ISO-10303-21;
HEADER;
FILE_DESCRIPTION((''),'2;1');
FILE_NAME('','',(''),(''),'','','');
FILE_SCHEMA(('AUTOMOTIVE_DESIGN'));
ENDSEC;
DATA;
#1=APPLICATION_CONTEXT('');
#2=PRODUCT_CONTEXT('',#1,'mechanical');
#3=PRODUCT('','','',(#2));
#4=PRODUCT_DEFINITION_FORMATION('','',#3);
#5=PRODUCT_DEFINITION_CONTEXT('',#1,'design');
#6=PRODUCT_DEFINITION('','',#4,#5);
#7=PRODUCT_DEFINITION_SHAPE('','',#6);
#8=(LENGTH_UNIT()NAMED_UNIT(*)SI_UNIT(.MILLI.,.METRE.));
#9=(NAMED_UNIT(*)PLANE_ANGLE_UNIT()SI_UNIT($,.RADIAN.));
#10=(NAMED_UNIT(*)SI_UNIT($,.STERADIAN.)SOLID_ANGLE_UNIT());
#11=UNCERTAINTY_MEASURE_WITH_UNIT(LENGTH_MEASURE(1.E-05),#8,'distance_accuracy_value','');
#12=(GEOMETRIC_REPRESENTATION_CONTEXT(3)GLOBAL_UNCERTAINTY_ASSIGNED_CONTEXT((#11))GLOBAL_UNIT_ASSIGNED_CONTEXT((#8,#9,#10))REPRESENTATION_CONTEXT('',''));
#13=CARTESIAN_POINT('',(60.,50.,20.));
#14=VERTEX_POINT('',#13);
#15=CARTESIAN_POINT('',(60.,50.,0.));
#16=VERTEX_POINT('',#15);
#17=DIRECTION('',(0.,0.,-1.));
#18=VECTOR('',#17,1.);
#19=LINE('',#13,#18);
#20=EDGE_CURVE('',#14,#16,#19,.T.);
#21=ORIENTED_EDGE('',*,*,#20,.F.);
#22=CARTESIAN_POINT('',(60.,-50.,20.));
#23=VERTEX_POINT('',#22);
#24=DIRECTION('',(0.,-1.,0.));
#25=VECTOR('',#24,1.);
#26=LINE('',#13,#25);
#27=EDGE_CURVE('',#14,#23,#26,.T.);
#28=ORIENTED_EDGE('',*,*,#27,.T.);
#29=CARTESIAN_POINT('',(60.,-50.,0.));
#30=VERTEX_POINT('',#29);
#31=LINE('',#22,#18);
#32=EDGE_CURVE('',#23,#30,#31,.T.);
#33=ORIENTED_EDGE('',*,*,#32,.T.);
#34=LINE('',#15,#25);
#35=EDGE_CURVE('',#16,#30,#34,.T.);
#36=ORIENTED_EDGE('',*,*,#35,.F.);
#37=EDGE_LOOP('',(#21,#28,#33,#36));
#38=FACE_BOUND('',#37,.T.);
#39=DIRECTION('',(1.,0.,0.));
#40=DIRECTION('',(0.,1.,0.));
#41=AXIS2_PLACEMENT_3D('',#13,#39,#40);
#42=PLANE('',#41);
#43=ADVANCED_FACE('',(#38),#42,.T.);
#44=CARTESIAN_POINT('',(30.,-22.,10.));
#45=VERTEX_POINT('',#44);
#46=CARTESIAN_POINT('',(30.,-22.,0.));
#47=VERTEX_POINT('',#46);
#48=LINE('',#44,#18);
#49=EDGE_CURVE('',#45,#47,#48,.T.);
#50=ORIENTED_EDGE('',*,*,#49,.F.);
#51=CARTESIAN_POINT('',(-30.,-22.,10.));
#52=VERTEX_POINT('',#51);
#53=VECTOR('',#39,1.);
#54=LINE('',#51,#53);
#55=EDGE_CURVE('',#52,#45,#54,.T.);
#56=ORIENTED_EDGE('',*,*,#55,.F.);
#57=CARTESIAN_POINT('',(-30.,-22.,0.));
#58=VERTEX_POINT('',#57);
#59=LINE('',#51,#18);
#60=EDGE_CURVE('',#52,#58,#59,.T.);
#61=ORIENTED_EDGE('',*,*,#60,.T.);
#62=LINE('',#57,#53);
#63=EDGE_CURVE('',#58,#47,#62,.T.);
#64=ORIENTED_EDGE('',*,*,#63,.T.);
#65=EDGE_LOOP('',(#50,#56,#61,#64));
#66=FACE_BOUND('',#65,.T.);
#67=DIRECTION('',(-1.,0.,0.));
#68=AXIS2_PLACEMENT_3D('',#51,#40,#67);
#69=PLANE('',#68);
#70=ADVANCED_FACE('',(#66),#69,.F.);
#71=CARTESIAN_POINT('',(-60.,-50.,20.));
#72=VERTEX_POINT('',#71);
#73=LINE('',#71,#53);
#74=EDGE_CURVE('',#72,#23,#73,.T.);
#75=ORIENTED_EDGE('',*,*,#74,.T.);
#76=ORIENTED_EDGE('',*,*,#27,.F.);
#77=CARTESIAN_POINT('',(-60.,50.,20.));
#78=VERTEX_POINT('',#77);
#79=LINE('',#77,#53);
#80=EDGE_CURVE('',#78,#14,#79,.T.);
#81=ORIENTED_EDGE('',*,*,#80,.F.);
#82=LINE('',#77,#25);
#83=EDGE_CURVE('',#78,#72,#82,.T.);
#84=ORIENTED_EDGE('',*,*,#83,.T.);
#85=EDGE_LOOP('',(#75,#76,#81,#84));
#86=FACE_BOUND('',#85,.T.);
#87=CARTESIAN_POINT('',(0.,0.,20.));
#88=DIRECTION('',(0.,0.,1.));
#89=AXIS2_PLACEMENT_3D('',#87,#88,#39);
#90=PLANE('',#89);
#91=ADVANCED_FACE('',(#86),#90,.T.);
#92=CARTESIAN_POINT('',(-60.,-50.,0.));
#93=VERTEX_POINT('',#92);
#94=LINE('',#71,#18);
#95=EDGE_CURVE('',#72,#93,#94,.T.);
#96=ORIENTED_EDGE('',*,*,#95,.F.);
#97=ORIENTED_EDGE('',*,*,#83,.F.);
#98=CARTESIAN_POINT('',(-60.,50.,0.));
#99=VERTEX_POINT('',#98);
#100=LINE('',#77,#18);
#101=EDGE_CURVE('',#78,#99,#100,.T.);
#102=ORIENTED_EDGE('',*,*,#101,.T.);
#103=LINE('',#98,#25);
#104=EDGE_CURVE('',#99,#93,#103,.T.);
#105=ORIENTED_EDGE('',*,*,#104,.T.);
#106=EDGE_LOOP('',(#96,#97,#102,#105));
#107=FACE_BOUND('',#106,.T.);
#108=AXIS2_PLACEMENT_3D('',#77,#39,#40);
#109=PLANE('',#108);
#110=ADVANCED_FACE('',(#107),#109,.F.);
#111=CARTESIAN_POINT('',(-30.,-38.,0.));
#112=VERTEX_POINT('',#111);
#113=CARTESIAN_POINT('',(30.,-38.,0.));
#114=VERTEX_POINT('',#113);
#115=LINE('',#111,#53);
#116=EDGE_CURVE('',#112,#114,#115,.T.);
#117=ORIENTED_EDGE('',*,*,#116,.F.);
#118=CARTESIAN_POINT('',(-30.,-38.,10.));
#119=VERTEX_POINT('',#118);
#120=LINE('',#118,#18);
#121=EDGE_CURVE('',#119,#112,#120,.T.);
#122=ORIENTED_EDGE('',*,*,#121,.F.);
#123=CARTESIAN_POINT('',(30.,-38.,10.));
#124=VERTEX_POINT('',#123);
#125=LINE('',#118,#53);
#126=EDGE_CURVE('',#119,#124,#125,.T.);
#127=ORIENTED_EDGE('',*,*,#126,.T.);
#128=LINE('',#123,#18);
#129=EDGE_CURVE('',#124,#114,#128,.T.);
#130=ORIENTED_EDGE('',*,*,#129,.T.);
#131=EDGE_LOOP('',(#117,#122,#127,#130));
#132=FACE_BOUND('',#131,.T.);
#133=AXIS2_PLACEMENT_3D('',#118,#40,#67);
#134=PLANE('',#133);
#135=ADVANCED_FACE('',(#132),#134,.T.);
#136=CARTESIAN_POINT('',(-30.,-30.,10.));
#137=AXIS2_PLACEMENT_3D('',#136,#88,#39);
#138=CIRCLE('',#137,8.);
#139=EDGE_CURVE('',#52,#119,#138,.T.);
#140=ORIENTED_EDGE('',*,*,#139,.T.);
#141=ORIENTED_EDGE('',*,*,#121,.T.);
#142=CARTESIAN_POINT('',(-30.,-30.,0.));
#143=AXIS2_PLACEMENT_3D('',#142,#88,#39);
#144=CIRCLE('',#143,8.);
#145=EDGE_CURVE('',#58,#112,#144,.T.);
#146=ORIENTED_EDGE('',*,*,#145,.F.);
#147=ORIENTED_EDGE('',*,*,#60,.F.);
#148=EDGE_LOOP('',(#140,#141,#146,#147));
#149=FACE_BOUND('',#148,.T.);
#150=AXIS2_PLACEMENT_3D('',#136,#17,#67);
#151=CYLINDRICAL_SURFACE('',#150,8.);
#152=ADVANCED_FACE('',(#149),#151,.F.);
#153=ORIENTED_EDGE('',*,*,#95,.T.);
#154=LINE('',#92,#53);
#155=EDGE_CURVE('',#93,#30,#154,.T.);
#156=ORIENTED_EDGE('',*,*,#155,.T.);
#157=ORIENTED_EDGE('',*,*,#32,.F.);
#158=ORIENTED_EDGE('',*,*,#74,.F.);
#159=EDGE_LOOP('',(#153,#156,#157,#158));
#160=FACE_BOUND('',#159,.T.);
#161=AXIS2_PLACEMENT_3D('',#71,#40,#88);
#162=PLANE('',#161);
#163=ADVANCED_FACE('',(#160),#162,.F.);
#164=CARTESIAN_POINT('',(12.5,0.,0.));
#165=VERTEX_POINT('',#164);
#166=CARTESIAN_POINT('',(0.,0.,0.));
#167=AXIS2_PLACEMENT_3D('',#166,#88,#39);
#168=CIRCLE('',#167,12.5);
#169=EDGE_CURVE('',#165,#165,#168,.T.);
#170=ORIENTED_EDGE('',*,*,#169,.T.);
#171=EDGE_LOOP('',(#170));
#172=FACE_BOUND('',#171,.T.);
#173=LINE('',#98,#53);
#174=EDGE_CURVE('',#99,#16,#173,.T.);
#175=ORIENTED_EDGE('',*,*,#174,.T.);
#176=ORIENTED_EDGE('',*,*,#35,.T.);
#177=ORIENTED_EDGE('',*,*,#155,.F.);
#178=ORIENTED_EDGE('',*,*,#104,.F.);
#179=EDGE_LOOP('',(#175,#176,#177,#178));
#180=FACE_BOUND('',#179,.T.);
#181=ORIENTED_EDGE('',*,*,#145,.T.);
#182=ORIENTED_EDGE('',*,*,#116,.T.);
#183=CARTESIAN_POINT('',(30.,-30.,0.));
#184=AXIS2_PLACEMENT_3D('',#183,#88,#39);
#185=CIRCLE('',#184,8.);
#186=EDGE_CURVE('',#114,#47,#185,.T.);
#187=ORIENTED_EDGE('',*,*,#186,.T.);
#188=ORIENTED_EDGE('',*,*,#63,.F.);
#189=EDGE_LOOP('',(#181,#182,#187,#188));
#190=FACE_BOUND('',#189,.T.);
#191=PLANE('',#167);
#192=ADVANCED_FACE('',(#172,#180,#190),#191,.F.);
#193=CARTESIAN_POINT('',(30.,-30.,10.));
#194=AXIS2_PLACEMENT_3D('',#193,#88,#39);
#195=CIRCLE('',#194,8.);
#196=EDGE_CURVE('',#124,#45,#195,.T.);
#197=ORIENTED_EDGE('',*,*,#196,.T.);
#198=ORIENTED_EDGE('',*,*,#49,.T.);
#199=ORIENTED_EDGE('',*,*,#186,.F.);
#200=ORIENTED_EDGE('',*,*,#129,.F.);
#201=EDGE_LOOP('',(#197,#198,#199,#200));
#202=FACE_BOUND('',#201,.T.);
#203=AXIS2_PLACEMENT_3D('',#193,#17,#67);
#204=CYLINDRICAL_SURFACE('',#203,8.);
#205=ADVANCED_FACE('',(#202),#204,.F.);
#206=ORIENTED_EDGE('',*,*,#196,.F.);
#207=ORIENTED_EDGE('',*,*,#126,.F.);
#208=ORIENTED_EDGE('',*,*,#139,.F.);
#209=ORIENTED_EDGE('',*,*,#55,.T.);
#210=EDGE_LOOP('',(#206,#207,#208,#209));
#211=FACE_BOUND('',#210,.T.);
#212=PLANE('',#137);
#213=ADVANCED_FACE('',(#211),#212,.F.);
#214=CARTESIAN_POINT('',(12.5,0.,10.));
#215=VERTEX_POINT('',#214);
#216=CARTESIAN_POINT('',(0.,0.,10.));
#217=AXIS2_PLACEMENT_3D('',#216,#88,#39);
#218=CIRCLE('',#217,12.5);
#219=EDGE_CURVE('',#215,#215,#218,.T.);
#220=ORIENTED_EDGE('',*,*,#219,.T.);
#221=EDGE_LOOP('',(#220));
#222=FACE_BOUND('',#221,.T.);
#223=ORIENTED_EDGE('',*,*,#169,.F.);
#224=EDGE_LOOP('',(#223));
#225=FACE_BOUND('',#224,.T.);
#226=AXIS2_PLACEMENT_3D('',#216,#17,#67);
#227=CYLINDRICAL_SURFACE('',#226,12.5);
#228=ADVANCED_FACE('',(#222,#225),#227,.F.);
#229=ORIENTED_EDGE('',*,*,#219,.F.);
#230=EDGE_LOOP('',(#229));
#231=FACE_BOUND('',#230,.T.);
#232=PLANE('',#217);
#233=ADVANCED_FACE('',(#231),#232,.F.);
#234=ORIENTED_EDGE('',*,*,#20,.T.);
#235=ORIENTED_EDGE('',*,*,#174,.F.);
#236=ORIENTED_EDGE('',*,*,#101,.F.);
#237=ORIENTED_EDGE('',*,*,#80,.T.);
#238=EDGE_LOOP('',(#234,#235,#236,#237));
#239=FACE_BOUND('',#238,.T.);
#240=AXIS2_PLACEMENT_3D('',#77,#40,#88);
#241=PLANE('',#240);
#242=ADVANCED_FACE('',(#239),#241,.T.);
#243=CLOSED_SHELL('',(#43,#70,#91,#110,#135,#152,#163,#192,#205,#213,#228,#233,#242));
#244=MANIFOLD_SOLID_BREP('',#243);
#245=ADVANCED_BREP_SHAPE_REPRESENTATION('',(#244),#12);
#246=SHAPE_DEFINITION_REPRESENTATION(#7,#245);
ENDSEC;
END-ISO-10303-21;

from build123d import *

# Parameters (mm, degrees)
SKETCH_1_W          = 120
SKETCH_1_H          = 100
EXTRUDE_1_DEPTH     = 20
SKETCH_1_3_R        = 12.5
CUT_EXTRUDE_2_DEPTH = 10


with BuildPart() as part:
    # 草图1 → 凸台-拉伸1 (new body)
    with BuildSketch(Plane.XY):
        Rectangle(SKETCH_1_W, SKETCH_1_H)
    extrude(amount=EXTRUDE_1_DEPTH)

    # 草图1<3> → 切除-拉伸2 (cut)
    with BuildSketch(Plane.XY):
        Circle(SKETCH_1_3_R)
        with BuildLine():
            Line((-30, -22), (30, -22))
            ThreePointArc((30, -22), (38, -30), (30, -38))
            Line((30, -38), (-30, -38))
            ThreePointArc((-30, -38), (-38, -30), (-30, -22))
        make_face()
    extrude(amount=CUT_EXTRUDE_2_DEPTH, mode=Mode.SUBTRACT)


solid = part.part
